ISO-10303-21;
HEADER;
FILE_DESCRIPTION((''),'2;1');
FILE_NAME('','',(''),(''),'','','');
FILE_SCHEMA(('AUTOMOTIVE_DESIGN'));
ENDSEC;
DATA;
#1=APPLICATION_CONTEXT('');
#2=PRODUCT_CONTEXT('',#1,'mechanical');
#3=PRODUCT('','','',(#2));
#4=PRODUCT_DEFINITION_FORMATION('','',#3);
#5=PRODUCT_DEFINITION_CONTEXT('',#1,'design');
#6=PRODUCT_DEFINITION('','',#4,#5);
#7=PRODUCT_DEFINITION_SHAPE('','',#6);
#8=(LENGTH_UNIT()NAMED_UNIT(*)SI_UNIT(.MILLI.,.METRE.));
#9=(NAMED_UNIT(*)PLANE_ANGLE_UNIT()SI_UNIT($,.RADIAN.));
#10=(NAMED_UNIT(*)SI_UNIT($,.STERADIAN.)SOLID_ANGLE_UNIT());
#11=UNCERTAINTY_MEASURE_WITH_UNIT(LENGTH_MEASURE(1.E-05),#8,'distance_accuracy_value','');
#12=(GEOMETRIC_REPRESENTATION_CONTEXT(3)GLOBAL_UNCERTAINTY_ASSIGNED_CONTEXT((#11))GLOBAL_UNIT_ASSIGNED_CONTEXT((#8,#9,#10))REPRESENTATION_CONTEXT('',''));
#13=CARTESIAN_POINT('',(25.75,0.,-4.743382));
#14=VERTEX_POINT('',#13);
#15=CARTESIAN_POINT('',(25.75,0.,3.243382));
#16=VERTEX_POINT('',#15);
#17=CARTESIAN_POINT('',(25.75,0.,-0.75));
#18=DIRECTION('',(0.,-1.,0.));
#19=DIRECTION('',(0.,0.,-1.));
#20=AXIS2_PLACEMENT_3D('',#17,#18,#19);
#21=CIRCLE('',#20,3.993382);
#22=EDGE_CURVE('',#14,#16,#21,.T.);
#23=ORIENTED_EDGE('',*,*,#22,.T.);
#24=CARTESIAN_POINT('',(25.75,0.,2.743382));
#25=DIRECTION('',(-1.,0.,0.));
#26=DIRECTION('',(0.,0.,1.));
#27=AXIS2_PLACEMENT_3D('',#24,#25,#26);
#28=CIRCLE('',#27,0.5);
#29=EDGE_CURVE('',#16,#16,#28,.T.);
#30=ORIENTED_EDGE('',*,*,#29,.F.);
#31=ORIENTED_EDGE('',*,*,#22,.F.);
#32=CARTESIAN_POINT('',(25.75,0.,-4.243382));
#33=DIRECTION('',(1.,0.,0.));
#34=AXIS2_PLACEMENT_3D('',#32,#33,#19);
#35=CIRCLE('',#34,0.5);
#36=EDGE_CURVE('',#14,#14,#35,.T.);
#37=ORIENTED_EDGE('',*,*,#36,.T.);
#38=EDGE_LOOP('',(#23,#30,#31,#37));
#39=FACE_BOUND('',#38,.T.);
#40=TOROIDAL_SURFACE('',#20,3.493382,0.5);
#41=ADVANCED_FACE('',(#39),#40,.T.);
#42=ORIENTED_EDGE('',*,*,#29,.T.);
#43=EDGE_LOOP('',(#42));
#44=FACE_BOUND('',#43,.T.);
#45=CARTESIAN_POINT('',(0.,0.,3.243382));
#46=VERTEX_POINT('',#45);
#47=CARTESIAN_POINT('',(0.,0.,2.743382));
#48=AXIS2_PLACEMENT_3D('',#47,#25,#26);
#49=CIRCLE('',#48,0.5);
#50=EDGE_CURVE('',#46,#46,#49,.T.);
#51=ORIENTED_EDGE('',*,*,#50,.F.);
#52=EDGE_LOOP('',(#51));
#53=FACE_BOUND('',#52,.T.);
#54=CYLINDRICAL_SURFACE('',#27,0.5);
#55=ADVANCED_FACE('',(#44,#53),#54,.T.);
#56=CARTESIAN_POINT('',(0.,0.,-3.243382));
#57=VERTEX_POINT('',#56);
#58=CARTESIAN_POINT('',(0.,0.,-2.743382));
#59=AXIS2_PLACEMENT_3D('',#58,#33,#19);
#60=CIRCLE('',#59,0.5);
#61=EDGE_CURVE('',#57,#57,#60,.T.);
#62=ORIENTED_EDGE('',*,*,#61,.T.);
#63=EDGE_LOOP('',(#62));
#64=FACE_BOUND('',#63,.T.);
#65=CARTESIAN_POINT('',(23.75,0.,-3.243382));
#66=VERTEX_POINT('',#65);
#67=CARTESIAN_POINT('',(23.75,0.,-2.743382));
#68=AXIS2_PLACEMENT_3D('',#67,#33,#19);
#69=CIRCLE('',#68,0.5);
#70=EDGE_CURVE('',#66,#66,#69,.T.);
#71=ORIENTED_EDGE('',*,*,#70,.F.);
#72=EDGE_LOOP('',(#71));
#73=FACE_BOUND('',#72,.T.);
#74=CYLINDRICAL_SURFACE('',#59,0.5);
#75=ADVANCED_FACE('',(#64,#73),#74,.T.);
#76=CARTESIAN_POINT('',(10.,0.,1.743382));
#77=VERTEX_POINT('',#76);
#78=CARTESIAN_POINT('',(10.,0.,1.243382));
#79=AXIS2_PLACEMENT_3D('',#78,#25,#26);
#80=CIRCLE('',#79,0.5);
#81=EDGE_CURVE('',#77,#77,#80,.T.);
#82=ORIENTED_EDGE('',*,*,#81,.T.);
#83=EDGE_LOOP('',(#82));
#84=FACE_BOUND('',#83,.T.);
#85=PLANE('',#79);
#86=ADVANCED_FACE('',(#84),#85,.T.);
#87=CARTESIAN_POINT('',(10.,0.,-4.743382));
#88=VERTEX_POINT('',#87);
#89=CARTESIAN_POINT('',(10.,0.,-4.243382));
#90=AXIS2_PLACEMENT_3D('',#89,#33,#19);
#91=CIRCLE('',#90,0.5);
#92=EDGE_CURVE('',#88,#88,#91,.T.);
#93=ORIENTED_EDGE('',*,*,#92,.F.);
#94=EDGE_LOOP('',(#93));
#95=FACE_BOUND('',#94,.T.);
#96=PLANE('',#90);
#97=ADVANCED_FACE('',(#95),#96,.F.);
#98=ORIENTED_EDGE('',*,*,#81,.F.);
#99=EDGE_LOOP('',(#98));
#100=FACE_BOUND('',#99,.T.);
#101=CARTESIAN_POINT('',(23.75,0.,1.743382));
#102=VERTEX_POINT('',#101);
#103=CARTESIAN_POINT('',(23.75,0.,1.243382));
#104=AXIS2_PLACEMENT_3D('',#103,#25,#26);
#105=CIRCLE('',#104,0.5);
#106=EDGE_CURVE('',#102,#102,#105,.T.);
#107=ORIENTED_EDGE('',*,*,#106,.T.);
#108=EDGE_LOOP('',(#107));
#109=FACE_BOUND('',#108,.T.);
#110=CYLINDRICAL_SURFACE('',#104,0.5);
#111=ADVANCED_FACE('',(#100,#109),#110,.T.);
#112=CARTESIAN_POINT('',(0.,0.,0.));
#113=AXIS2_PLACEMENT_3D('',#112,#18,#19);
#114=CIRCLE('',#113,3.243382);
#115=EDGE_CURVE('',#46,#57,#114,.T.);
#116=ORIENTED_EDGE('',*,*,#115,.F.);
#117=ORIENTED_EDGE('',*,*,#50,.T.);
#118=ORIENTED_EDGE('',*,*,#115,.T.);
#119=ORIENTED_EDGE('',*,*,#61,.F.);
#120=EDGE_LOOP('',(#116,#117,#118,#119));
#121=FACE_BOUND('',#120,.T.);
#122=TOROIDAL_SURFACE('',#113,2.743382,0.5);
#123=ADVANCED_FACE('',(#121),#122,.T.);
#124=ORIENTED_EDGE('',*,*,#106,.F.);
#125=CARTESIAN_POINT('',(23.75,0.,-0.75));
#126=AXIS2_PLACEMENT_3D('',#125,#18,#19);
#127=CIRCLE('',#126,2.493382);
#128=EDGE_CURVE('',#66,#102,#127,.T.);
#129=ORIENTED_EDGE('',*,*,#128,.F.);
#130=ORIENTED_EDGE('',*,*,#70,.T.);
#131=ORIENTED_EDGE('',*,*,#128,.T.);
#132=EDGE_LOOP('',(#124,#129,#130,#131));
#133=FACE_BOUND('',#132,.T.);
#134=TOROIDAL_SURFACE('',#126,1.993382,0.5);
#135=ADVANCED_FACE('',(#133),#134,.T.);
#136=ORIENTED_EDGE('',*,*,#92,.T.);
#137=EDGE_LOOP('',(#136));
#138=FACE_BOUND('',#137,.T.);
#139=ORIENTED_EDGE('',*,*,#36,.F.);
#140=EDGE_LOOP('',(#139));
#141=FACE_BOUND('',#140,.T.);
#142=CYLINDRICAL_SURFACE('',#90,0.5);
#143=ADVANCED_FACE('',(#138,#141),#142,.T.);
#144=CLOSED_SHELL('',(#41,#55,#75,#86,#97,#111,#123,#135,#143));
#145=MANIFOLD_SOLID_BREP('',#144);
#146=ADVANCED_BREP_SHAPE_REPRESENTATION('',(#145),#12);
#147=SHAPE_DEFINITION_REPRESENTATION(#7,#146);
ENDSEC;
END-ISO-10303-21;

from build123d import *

# Parameters (mm, degrees)
SKETCH2_R = 0.5


with BuildPart() as part:
    # Sweep1: sweep along a path in Sketch1
    with BuildLine(Plane(origin=(0, 0, 0), x_dir=(1, 0, 0), z_dir=(0, 1, 0))) as sweep1_path:
        Line((10, 4.25), (25.75, 4.25))
        ThreePointArc((25.75, 4.25), (29.25, 0.75), (25.75, -2.75))
        Line((25.75, -2.75), (0, -2.75))
        ThreePointArc((0, -2.75), (-2.75, 0), (0, 2.75))
        Line((0, 2.75), (23.75, 2.75))
        ThreePointArc((23.75, 2.75), (25.75, 0.75), (23.75, -1.25))
        Line((23.75, -1.25), (10, -1.25))
    # Sketch2 → Sweep1 (sweep)
    with BuildSketch(Plane(origin=(10, 0, -4.25), x_dir=(0, 0, -1), z_dir=(1, 0, 0))):
        with Locations((-0.006617862, 0)):
            Circle(SKETCH2_R)
    sweep(path=sweep1_path.line)


solid = part.part
